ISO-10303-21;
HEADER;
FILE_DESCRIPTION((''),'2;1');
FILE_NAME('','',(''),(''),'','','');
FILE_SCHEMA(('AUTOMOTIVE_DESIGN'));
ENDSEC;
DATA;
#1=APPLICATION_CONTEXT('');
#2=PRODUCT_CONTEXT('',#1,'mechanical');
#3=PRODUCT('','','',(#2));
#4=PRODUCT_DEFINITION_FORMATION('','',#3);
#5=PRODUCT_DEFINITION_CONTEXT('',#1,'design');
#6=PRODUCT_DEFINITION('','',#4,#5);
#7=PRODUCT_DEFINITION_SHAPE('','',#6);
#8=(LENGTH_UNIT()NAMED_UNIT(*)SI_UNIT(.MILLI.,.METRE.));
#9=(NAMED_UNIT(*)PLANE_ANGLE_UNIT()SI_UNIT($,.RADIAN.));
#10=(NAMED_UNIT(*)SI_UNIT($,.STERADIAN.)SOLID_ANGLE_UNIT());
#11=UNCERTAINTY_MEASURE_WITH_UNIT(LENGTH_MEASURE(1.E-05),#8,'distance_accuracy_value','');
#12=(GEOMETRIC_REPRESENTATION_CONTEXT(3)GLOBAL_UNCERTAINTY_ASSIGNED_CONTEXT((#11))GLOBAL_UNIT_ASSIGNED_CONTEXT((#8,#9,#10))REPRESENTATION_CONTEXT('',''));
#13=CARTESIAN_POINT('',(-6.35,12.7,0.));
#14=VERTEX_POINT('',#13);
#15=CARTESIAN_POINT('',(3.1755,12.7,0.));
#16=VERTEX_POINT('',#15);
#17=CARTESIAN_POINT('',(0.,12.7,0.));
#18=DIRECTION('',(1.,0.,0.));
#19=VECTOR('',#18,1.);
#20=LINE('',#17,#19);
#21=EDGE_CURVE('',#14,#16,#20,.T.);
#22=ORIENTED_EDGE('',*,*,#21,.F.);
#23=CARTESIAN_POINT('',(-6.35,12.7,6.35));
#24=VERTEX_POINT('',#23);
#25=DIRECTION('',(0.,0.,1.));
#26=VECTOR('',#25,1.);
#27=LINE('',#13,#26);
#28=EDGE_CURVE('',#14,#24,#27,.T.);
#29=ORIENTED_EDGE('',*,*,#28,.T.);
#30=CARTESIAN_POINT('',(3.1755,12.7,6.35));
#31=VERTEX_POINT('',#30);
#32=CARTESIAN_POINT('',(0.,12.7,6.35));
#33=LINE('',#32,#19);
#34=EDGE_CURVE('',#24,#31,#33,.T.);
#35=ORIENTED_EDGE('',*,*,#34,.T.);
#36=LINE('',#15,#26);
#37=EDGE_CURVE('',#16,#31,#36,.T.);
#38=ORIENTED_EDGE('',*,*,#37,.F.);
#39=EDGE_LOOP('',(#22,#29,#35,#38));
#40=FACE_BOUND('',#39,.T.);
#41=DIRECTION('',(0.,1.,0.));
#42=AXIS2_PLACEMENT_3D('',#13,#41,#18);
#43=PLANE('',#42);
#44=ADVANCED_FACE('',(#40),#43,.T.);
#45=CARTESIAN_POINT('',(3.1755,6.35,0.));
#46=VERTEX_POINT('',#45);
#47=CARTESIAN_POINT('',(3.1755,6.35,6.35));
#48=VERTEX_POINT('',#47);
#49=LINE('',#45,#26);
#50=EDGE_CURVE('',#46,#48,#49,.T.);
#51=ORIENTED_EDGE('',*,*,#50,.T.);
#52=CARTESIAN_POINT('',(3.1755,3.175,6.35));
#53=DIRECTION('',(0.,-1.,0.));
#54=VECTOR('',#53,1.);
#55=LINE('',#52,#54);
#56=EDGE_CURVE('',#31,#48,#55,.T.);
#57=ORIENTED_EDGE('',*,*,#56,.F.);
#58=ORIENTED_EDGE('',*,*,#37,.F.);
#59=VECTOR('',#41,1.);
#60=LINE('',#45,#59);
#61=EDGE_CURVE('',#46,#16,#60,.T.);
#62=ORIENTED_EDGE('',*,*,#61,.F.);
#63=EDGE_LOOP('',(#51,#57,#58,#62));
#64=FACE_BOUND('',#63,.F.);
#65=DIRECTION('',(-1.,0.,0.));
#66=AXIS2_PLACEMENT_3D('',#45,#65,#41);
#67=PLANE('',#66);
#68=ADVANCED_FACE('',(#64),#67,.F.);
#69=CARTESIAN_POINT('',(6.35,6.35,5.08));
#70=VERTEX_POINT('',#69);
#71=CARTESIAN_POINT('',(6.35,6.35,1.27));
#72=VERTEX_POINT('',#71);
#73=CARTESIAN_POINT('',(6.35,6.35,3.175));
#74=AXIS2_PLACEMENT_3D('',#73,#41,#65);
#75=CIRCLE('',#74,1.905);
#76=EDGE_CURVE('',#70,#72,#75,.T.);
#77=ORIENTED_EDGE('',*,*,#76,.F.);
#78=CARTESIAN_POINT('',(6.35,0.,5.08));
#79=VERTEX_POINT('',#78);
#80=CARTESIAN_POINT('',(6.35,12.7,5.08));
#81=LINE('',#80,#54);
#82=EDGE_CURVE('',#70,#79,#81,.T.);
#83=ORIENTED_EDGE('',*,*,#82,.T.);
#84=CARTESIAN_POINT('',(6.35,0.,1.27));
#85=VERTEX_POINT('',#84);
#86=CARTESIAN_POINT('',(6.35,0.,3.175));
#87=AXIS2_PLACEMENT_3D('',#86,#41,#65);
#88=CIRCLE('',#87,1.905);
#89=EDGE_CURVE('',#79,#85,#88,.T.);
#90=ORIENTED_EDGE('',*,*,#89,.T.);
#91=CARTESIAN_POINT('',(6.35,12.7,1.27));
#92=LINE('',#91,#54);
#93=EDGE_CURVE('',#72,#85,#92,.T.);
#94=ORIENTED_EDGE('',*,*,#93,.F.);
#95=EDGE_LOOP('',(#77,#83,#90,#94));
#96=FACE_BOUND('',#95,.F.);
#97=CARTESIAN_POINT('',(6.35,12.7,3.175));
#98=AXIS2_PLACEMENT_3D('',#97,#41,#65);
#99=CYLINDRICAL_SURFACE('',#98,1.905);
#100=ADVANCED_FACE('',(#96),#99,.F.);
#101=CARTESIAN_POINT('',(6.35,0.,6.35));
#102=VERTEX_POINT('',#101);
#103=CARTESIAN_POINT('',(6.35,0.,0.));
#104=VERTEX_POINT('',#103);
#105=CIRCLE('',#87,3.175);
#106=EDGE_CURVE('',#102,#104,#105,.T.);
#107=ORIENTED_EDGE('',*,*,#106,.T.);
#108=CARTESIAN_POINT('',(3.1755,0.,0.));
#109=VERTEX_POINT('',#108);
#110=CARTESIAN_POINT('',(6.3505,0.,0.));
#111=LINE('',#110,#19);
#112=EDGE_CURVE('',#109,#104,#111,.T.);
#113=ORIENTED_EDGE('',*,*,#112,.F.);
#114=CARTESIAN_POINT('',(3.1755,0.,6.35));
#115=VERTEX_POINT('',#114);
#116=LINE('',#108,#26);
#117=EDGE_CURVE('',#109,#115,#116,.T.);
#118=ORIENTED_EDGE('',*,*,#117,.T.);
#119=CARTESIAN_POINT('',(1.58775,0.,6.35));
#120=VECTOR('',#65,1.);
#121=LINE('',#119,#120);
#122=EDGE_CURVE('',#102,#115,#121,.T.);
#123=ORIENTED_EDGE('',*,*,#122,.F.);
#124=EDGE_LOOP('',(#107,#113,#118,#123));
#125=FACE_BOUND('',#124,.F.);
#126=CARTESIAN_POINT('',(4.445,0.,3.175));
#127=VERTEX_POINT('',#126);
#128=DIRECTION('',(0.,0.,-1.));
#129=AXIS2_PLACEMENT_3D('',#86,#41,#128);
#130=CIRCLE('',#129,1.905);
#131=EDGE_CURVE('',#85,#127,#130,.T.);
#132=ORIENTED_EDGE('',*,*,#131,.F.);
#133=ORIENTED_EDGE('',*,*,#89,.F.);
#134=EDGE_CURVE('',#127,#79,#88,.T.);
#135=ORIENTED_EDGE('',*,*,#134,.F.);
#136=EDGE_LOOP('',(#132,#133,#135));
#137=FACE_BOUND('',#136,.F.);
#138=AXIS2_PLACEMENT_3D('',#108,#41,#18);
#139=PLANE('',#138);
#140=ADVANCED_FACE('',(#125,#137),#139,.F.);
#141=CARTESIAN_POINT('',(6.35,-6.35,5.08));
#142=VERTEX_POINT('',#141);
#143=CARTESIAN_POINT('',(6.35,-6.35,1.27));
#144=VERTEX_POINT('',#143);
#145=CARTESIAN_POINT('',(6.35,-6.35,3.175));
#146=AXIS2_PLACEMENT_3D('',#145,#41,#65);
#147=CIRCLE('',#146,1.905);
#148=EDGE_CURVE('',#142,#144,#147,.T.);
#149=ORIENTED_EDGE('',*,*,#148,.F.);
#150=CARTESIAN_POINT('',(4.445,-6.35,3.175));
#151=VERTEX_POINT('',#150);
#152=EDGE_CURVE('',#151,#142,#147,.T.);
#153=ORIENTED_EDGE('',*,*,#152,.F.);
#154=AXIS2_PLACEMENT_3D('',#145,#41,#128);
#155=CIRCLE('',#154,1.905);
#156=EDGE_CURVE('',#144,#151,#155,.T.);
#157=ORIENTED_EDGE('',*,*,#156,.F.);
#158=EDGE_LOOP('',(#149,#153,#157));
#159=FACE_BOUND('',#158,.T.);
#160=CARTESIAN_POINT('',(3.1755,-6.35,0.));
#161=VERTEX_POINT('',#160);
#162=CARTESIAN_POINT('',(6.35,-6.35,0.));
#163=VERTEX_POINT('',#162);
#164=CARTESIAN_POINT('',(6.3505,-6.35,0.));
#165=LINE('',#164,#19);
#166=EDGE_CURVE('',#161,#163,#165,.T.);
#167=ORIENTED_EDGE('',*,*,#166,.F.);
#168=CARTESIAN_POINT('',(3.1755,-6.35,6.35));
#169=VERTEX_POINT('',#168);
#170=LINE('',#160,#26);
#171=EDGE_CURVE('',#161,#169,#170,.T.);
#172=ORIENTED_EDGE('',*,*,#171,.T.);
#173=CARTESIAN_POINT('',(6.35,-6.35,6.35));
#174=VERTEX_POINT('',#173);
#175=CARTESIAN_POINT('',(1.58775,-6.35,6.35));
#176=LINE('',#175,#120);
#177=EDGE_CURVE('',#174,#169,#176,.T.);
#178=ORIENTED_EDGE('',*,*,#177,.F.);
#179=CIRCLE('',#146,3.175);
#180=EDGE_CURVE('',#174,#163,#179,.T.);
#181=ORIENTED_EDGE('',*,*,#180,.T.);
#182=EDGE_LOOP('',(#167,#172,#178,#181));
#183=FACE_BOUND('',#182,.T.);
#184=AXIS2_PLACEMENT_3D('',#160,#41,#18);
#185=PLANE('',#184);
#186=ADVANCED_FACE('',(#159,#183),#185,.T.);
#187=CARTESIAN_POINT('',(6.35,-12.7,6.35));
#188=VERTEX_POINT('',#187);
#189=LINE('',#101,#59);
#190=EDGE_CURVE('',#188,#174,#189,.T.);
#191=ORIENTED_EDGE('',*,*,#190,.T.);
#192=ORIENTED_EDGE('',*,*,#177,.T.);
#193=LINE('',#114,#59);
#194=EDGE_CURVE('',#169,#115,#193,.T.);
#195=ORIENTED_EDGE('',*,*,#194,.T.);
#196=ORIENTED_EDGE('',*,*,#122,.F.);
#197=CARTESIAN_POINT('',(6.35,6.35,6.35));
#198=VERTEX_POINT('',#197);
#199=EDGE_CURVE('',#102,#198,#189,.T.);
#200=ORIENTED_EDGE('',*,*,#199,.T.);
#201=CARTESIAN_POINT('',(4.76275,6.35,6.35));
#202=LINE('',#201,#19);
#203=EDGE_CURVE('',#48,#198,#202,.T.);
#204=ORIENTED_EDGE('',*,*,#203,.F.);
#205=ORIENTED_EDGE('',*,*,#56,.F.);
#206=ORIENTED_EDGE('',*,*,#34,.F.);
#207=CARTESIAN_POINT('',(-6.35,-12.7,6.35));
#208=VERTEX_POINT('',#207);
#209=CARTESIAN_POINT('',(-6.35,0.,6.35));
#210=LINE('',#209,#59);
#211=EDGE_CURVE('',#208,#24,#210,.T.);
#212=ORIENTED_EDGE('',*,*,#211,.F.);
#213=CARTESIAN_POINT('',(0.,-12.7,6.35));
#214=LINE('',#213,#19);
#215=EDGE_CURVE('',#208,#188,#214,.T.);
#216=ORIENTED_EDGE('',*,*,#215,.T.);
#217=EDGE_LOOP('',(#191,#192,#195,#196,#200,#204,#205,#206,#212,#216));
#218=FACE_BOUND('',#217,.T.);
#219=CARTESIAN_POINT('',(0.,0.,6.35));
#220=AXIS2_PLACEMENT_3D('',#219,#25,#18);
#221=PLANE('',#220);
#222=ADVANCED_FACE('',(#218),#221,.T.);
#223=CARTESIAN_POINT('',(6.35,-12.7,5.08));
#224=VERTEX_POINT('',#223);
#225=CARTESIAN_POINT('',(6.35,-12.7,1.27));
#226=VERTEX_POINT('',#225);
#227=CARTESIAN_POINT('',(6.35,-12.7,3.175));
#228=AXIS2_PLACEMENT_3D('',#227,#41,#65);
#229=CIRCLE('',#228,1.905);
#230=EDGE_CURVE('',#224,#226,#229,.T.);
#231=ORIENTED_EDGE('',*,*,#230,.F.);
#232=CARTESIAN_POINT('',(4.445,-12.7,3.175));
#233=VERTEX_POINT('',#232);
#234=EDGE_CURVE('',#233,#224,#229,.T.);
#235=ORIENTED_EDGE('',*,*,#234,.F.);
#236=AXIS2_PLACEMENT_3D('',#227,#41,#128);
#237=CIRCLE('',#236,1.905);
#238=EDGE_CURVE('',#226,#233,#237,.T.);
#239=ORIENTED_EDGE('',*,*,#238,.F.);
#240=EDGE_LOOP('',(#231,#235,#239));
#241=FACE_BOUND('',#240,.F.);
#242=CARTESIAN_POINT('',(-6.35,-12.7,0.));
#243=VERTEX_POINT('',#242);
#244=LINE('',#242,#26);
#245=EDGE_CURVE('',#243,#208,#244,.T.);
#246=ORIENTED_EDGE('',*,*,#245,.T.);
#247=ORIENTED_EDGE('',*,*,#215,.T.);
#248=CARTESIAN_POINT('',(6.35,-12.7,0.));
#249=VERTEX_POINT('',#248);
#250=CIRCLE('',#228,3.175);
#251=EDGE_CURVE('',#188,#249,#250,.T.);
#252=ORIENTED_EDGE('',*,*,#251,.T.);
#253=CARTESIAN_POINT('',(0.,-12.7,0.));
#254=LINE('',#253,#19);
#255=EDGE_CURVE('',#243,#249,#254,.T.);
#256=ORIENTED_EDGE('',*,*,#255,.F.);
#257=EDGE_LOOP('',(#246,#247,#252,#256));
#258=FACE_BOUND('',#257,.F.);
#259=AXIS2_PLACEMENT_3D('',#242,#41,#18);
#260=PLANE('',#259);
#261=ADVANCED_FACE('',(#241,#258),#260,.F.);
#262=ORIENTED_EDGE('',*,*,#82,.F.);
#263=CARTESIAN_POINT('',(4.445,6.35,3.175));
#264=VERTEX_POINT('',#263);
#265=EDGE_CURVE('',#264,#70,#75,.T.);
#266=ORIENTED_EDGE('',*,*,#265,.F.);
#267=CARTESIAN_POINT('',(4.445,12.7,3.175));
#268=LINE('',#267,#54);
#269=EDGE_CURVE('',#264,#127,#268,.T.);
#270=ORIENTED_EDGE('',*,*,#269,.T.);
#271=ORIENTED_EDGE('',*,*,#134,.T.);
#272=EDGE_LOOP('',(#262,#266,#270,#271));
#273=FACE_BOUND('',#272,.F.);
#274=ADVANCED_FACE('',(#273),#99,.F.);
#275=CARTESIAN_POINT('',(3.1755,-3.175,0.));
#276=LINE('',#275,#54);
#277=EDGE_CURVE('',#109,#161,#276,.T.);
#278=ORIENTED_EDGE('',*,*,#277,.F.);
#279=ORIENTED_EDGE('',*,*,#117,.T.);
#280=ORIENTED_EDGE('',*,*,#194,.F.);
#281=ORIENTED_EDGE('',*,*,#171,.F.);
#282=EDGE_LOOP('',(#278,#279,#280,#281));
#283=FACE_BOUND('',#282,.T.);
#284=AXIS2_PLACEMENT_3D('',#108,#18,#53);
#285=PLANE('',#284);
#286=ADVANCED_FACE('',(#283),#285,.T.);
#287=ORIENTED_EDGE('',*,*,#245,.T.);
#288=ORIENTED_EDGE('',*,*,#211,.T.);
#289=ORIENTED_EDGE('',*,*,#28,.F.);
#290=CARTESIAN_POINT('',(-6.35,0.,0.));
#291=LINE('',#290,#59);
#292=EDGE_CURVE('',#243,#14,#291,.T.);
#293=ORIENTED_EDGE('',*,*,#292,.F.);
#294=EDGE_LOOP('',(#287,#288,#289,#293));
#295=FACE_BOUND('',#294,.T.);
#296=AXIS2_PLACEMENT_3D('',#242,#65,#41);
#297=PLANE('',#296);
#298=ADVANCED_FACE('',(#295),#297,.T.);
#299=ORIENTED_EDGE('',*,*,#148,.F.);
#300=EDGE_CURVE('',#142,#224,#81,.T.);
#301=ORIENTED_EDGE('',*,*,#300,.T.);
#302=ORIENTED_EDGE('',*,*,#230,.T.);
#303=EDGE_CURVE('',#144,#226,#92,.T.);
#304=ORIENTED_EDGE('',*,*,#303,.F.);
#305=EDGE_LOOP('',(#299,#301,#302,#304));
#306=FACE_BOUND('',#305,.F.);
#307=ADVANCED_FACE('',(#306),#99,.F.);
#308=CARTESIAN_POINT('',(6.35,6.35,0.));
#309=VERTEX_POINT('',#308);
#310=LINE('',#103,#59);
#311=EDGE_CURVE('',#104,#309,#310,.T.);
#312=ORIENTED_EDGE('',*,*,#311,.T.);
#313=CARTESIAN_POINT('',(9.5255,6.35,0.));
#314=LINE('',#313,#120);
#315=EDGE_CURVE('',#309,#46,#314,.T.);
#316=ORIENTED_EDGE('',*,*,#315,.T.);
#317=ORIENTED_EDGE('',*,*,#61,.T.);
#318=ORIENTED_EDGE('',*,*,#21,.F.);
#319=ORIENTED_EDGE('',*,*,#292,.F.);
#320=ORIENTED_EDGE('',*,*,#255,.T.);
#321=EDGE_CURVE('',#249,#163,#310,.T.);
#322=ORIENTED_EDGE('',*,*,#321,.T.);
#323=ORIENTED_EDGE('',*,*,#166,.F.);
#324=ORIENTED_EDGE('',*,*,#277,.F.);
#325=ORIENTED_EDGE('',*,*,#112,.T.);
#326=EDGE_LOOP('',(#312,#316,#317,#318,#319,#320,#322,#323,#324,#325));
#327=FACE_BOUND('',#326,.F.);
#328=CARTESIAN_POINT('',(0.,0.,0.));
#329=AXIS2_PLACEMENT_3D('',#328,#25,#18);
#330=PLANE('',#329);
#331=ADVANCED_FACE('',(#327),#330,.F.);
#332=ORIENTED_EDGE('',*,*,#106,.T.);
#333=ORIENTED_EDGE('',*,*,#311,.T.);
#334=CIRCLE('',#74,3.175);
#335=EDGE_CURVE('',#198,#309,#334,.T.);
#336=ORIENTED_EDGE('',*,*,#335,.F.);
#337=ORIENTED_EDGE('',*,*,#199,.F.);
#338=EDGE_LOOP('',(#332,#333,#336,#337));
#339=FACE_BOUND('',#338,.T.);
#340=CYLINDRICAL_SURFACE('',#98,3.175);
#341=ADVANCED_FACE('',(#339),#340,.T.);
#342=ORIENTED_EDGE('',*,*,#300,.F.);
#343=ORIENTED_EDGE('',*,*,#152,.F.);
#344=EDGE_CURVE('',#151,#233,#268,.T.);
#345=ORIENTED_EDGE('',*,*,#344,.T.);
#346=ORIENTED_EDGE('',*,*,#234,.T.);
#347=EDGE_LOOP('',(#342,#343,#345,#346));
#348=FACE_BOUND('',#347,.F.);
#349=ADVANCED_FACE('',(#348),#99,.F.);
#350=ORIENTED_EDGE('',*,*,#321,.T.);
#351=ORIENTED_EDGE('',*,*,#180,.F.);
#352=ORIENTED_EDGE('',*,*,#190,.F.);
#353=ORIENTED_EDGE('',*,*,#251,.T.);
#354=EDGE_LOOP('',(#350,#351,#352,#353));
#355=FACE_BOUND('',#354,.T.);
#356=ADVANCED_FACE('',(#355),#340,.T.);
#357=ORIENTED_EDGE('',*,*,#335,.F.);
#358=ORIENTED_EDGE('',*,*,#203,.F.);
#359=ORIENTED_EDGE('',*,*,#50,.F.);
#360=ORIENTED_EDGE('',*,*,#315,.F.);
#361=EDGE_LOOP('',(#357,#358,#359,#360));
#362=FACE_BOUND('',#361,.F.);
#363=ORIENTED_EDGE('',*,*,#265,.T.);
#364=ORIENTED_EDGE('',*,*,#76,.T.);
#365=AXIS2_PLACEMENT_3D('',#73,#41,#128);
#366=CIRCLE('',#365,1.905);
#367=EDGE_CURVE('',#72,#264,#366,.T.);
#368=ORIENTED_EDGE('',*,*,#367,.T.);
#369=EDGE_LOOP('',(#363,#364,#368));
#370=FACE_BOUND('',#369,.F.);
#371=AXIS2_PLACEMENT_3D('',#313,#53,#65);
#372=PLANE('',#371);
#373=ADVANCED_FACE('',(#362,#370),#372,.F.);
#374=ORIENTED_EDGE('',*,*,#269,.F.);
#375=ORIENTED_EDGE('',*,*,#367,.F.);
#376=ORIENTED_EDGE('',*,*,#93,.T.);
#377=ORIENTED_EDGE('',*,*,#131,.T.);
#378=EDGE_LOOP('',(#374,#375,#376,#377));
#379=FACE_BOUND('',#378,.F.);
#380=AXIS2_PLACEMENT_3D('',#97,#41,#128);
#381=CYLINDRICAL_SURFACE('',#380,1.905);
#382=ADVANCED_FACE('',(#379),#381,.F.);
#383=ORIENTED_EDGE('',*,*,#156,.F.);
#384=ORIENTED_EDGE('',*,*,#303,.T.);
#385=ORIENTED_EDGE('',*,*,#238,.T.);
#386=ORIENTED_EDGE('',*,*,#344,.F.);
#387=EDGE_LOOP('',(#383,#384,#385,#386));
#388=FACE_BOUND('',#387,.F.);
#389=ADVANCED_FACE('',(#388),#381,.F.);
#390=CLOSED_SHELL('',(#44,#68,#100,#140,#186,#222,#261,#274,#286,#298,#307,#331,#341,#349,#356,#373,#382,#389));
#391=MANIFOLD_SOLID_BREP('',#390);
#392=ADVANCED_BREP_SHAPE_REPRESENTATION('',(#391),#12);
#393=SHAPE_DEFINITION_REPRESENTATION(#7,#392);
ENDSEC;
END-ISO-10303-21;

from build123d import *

# Parameters (mm, degrees)
F0_W     = 12.7
F0_H     = 25.4
F1_DEPTH = 6.35
F2_R     = 3.175
F2_R_2   = 1.905
F3_DEPTH = 25.4
F4_DEPTH = 25.4
F5_W     = 6.35
F5_H     = 6.35
F6_DEPTH = 25.4


with BuildPart() as f1:
    # F0 (on Top) → F1 (new body)
    with BuildSketch(Plane.XY):
        Rectangle(F0_W, F0_H)
    extrude(amount=F1_DEPTH)

    # F2 (on face) → F3 (join)
    with BuildSketch(Plane(origin=(0, 12.7, 0), x_dir=(-1, 0, 0), z_dir=(0, 1, 0))):
        with Locations((-6.35, 3.175)):
            Circle(F2_R)
        with Locations((-6.35, 3.175)):
            Circle(F2_R_2, mode=Mode.SUBTRACT)
        with BuildLine():
            ThreePointArc((-4.445, 3.175), (-5.0029615818, 4.5220384182), (-6.35, 5.08))
            Line((-6.35, 5.08), (-6.35, 1.27))
            ThreePointArc((-6.35, 1.27), (-5.0029615818, 1.8279615818), (-4.445, 3.175))
        make_face()
    extrude(amount=-F3_DEPTH)

    # F2 (on face) → F4 (cut)
    with BuildSketch(Plane(origin=(0, 12.7, 0), x_dir=(-1, 0, 0), z_dir=(0, 1, 0))):
        with BuildLine():
            ThreePointArc((-4.445, 3.175), (-5.0029615818, 4.5220384182), (-6.35, 5.08))
            Line((-6.35, 5.08), (-6.35, 1.27))
            ThreePointArc((-6.35, 1.27), (-5.0029615818, 1.8279615818), (-4.445, 3.175))
        make_face()
        with BuildLine():
            Line((-6.35, 1.27), (-6.35, 5.08))
            ThreePointArc((-6.35, 5.08), (-8.255, 3.175), (-6.35, 1.27))
        make_face()
    extrude(amount=-F4_DEPTH, mode=Mode.SUBTRACT)

    # F5 (on face) → F6 (cut)
    with BuildSketch(Plane(origin=(0, 0, 0), x_dir=(1, 0, 0), z_dir=(0, 0, -1))):
        Polygon((3.1755000025, -6.35), (3.1755000025, -12.7), (9.5244999975, -12.7), (9.5255000025, -12.7), (9.5255000025, -6.35), align=None)
        with Locations((6.3505000025, 3.175)):
            Rectangle(F5_W, F5_H)
    extrude(amount=-F6_DEPTH, mode=Mode.SUBTRACT)


solid = f1.part
